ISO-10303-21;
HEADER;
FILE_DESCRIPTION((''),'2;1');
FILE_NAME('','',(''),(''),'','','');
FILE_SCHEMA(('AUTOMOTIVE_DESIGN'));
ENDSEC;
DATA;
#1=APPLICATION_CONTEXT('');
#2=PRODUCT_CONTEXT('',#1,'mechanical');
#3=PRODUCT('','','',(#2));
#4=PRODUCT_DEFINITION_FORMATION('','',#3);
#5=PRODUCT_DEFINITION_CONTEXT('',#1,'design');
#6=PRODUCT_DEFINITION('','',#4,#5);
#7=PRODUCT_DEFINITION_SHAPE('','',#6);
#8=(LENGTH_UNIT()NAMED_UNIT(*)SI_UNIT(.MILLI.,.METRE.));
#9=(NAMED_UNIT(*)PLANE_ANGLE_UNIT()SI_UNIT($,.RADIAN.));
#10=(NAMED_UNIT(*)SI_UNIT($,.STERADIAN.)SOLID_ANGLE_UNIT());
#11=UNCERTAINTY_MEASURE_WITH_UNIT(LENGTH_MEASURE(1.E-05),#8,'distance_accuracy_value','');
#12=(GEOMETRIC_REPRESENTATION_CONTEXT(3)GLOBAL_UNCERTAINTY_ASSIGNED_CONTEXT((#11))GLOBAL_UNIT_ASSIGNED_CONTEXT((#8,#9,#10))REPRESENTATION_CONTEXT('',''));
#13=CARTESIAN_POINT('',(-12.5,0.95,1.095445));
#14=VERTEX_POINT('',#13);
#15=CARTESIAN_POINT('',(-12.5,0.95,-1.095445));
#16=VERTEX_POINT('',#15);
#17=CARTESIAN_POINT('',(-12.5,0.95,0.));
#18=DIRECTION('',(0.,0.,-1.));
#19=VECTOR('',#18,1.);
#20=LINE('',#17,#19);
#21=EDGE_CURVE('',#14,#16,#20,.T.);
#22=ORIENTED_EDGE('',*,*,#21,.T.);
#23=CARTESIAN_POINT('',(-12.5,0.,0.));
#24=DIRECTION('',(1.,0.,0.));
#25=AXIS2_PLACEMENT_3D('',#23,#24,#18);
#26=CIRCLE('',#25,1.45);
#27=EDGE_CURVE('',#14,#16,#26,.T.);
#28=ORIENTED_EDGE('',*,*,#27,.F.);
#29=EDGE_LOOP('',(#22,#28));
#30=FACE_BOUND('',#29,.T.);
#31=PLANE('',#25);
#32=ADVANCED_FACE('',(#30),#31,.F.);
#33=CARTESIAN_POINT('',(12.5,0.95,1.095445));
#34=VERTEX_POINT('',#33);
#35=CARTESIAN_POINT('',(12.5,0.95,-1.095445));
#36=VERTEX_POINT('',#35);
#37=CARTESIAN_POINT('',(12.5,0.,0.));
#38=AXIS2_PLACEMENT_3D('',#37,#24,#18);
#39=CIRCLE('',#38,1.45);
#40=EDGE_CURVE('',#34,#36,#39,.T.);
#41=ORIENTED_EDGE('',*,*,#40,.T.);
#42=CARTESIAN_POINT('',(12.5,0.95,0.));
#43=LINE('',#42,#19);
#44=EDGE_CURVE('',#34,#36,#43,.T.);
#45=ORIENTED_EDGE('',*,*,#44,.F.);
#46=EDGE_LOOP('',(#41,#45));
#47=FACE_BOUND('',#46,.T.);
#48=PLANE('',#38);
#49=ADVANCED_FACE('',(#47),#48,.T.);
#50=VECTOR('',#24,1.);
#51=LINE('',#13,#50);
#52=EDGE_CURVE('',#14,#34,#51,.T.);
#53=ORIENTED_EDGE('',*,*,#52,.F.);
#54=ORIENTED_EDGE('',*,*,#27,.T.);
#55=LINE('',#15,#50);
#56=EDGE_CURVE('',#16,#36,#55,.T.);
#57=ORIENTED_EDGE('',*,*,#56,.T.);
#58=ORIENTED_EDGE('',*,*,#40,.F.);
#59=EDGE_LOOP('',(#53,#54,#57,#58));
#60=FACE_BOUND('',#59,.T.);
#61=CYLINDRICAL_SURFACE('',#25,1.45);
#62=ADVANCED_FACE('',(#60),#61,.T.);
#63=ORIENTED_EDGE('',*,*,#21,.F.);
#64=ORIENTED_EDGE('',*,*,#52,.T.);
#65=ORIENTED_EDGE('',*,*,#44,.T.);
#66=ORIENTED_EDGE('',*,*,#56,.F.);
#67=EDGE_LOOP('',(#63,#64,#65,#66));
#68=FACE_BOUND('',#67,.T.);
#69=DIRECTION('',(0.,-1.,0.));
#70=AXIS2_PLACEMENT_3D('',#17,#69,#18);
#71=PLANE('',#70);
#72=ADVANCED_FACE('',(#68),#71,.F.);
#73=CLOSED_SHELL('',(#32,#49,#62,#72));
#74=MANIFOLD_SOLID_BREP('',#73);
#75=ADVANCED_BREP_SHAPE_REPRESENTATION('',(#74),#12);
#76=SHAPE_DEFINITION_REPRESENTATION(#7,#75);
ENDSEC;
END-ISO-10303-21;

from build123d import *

# Parameters (mm, degrees)
BOSS_EXTRUDE1_DEPTH      = 12.5
BOSS_EXTRUDE1_DEPTH_BACK = 12.5


with BuildPart() as part:
    # Sketch1 → Boss-Extrude1 (new, two sides: drawn at the far end of the back side and taken through both)
    with BuildSketch(Plane(origin=(0, 0, 0), x_dir=(0, 0, -1), z_dir=(1, 0, 0)).offset(-BOSS_EXTRUDE1_DEPTH_BACK)):
        with BuildLine():
            ThreePointArc((-1.095445115, 0.95), (0, -1.45), (1.095445115, 0.95))
            Line((1.095445115, 0.95), (-1.095445115, 0.95))
        make_face()
    extrude(amount=BOSS_EXTRUDE1_DEPTH + BOSS_EXTRUDE1_DEPTH_BACK)


solid = part.part
